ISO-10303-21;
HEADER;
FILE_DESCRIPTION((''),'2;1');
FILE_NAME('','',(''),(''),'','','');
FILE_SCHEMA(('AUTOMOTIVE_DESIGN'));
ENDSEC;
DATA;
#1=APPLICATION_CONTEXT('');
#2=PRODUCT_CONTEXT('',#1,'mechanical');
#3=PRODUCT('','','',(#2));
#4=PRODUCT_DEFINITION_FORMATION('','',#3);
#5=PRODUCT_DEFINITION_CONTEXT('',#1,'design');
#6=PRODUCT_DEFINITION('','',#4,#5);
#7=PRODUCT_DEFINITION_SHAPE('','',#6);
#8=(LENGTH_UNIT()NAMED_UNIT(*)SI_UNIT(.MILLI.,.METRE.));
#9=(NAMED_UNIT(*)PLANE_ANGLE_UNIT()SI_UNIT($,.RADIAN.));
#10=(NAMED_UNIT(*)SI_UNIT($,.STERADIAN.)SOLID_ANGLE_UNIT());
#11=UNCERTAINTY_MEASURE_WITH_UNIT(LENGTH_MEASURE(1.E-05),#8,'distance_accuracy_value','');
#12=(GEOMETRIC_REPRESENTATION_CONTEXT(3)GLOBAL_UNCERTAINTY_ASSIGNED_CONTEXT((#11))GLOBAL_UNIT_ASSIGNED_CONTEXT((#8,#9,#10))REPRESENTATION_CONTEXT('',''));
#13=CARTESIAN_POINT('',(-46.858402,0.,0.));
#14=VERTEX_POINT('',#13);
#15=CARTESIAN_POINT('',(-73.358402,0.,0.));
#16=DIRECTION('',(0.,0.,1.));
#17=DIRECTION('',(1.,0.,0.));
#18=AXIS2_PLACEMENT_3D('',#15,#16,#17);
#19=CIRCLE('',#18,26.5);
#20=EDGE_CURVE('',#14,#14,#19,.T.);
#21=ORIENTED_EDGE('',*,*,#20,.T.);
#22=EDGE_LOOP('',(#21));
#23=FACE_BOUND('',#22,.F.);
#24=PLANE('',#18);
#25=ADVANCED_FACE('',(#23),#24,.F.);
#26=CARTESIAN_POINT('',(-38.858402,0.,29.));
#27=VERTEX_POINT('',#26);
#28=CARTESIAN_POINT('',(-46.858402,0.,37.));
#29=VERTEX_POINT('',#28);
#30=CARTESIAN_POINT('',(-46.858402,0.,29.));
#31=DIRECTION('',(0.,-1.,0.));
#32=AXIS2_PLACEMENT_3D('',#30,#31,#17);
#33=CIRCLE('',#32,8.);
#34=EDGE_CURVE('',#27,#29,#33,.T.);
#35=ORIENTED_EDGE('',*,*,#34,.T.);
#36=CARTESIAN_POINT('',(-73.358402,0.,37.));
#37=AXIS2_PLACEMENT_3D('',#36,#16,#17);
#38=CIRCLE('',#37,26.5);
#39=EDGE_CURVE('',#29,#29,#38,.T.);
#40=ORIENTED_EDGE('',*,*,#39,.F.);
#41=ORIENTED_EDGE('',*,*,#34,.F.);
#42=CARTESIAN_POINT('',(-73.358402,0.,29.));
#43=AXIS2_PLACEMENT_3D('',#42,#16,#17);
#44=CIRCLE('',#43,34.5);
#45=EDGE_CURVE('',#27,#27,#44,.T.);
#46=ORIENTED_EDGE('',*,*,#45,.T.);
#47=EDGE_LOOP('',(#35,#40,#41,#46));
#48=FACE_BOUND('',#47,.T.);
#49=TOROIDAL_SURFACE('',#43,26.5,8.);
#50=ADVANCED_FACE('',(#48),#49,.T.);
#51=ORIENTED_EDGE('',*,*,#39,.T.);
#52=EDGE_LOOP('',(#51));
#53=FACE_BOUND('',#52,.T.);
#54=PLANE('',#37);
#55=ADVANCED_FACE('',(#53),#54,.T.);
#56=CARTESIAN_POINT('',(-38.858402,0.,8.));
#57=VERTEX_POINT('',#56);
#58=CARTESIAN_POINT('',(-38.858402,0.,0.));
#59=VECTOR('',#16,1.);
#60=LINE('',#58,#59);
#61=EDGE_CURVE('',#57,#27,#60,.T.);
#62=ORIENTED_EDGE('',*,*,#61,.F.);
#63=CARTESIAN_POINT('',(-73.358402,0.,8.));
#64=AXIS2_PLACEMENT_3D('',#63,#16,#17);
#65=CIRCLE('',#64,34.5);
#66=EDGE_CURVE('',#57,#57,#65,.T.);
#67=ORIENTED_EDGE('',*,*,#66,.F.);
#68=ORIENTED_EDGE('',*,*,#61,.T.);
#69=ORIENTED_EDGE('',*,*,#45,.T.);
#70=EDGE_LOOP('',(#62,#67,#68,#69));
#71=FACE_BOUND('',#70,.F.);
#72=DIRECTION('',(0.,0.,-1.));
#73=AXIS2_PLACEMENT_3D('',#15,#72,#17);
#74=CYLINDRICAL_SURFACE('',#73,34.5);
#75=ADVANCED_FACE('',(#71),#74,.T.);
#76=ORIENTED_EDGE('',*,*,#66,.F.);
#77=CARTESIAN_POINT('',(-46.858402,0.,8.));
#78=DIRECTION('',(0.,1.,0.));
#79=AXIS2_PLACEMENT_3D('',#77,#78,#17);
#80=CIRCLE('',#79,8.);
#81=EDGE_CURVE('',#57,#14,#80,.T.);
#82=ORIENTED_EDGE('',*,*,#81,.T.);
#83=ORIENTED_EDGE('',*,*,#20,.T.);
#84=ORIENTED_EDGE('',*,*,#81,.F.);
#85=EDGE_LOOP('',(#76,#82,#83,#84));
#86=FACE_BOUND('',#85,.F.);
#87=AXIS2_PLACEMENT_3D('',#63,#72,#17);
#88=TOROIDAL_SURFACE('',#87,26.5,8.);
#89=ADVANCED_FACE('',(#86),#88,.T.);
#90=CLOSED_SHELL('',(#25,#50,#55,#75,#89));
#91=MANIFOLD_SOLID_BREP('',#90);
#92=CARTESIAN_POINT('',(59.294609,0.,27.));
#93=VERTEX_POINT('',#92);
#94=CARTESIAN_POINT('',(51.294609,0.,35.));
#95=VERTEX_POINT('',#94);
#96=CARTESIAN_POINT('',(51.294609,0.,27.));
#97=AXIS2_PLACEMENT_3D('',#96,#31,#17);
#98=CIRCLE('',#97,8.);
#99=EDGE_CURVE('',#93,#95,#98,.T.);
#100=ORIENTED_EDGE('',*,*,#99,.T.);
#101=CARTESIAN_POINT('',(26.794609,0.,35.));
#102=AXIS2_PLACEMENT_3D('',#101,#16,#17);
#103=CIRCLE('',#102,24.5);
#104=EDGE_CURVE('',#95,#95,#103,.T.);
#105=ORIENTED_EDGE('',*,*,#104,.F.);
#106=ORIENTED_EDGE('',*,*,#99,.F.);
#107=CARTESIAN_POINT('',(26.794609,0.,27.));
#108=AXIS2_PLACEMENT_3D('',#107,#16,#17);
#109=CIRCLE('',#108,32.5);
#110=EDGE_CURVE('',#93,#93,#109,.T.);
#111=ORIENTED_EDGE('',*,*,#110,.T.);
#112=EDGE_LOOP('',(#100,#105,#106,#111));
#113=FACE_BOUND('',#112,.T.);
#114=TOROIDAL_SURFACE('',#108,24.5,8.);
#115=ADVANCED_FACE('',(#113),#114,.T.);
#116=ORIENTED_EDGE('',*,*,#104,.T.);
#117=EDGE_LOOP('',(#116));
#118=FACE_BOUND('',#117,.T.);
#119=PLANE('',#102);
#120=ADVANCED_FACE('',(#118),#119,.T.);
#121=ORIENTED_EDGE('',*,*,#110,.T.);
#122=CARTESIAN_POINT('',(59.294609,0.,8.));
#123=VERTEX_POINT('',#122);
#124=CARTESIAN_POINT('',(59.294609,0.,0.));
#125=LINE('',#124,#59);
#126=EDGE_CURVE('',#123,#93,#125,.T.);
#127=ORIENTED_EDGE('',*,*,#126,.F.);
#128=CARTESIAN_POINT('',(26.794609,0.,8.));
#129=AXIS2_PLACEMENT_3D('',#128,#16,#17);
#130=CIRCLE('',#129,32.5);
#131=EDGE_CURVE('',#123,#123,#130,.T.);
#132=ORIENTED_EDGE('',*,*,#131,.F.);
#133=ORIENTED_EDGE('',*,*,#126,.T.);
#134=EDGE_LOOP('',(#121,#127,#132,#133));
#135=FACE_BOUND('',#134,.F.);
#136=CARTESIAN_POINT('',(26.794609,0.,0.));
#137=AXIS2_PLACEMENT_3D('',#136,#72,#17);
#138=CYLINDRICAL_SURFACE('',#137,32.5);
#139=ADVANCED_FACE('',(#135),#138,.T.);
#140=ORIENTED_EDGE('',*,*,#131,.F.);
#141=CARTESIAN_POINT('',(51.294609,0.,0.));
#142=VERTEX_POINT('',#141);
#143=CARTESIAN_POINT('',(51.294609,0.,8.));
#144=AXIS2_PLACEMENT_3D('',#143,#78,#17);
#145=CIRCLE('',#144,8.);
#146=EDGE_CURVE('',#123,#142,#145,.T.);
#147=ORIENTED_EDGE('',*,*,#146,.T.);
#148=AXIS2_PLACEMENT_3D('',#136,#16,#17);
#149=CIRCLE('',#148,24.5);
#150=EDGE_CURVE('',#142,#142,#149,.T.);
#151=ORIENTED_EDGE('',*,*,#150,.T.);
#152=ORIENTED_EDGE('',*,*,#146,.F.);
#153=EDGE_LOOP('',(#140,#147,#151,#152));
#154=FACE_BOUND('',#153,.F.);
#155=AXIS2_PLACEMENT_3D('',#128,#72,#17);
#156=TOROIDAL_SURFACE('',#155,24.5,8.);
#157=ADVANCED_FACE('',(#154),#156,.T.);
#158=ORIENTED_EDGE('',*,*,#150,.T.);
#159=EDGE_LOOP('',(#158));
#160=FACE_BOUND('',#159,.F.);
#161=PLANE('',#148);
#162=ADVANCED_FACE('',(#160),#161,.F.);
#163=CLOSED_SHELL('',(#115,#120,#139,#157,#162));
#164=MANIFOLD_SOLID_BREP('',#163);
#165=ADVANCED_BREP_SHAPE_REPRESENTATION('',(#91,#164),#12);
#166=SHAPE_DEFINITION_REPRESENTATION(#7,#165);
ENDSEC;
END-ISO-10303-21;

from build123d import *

# Parameters (mm, degrees)
F0_R     = 34.5
F1_DEPTH = 37
F0_R_2   = 32.5
F2_DEPTH = 35
F3_R     = 8
F3_2_R   = 8


with BuildPart() as f1:
    # F0 (on Top) → F1 (new body)
    with BuildSketch(Plane.XY):
        with Locations((-73.358402, 0)):
            Circle(F0_R)
    extrude(amount=F1_DEPTH)

    # F3
    f3_edges = [f1.edges().sort_by_distance(p)[0] for p in [
        (-107.858402, 0, 37),
        (-107.858402, 0, 0),
    ]]
    fillet(f3_edges, radius=F3_R)


with BuildPart() as f2:
    # F0 (on Top) → F2 (new body)
    with BuildSketch(Plane.XY):
        with Locations((26.794609, 0)):
            Circle(F0_R_2)
    extrude(amount=F2_DEPTH)

    # F3#2
    f3_2_edges = [f2.edges().sort_by_distance(p)[0] for p in [
        (-5.705391, 0, 0),
        (-5.705391, 0, 35),
    ]]
    fillet(f3_2_edges, radius=F3_2_R)


solid = Compound([f1.part, f2.part])
